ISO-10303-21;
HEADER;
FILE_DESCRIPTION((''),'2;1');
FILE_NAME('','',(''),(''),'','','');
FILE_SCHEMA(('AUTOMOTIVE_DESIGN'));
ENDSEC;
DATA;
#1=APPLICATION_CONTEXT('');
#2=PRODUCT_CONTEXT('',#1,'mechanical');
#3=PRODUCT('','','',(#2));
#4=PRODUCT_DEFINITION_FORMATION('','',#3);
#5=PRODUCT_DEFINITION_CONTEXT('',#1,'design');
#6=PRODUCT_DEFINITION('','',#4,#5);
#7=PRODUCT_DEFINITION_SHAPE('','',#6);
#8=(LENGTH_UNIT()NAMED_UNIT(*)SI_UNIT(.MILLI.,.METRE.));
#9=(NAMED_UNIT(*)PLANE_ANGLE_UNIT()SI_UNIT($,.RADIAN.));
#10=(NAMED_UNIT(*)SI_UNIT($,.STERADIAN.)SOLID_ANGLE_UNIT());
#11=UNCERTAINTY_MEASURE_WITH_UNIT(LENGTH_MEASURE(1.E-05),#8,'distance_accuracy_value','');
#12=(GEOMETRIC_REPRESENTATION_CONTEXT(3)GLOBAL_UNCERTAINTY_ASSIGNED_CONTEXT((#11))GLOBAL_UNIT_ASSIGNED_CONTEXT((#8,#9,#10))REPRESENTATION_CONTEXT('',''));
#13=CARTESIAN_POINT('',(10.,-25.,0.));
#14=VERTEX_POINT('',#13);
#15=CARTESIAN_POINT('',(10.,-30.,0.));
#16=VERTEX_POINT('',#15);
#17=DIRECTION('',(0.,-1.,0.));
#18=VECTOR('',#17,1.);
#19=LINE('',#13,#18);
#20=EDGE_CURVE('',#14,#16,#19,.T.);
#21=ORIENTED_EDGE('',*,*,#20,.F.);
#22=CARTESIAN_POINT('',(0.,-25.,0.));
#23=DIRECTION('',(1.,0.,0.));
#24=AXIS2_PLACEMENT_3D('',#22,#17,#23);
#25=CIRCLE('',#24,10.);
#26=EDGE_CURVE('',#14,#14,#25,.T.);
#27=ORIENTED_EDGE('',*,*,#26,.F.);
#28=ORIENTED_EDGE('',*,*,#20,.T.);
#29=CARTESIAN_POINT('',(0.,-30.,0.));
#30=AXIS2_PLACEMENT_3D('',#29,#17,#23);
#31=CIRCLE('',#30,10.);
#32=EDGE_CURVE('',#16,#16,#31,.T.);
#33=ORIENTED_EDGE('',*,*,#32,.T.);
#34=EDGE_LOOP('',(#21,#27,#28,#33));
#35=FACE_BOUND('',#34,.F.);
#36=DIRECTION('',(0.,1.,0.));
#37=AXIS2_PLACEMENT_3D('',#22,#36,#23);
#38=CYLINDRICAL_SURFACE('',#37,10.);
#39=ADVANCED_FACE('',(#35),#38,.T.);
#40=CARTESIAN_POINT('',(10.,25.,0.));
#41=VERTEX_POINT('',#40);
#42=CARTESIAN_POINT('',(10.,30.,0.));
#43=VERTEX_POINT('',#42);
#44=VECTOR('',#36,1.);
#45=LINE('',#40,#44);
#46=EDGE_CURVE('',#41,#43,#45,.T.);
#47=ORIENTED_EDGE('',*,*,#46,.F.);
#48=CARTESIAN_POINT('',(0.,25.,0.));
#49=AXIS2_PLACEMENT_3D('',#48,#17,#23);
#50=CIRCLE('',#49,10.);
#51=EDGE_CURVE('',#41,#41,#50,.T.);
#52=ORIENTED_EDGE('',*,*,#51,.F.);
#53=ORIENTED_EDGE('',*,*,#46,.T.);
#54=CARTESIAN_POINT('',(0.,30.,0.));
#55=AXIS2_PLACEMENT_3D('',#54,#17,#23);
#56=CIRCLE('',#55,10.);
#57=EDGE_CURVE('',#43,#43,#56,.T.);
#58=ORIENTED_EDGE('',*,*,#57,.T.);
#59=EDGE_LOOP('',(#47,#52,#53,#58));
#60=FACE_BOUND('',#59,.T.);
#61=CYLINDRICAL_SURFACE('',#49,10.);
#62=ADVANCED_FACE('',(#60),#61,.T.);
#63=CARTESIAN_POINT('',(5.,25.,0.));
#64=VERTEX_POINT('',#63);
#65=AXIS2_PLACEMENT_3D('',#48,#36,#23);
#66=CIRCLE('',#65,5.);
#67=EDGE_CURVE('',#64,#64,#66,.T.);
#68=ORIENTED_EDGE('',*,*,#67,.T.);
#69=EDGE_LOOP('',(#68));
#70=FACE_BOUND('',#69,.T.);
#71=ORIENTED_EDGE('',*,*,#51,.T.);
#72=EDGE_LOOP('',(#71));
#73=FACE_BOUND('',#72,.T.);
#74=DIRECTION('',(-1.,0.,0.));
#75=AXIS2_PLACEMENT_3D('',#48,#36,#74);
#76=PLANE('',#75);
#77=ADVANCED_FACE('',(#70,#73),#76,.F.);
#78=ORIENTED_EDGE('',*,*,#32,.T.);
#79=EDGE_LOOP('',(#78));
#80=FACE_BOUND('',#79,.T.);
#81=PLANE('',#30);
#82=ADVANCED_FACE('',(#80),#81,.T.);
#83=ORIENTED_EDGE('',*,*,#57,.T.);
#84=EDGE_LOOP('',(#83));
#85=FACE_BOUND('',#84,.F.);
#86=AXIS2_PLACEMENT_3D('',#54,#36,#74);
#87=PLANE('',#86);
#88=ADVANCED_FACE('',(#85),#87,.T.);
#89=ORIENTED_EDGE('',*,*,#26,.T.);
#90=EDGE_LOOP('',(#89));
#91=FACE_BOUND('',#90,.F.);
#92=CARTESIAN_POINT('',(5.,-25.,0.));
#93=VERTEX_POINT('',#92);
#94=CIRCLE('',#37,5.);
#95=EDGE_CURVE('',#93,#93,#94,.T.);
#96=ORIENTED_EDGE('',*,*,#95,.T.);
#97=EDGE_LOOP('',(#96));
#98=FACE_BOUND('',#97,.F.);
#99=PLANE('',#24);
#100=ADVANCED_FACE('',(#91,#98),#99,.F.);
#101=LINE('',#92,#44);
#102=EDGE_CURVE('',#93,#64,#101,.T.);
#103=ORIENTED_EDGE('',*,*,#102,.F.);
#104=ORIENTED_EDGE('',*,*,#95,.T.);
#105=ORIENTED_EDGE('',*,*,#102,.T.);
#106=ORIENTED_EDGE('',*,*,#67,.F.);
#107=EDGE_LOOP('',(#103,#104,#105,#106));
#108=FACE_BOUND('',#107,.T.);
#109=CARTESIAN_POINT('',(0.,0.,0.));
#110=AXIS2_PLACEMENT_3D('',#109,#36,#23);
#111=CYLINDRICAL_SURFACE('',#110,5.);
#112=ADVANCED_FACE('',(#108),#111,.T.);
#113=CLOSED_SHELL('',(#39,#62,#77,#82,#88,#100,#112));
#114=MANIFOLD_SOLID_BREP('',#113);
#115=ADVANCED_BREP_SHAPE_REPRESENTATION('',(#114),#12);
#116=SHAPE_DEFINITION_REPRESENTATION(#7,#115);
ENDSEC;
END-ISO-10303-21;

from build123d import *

# Parameters (mm, degrees)
SKETCH1_R           = 5
BOSS_EXTRUDE1_DEPTH = 25
SKETCH2_R           = 10
BOSS_EXTRUDE3_DEPTH = 5


with BuildPart() as part:
    # Sketch1 → Boss-Extrude1 (new body, symmetric)
    with BuildSketch(Plane(origin=(0, 0, 0), x_dir=(1, 0, 0), z_dir=(0, 1, 0))):
        Circle(SKETCH1_R)
    extrude(amount=BOSS_EXTRUDE1_DEPTH, both=True)

    # Sketch2 → Boss-Extrude3 (add)
    with BuildSketch(Plane.XZ.offset(25)):
        Circle(SKETCH2_R)
    boss_extrude3 = extrude(amount=BOSS_EXTRUDE3_DEPTH)

    # Mirror1: Boss-Extrude3 across plane
    add(boss_extrude3.mirror(Plane.ZX))


solid = part.part
